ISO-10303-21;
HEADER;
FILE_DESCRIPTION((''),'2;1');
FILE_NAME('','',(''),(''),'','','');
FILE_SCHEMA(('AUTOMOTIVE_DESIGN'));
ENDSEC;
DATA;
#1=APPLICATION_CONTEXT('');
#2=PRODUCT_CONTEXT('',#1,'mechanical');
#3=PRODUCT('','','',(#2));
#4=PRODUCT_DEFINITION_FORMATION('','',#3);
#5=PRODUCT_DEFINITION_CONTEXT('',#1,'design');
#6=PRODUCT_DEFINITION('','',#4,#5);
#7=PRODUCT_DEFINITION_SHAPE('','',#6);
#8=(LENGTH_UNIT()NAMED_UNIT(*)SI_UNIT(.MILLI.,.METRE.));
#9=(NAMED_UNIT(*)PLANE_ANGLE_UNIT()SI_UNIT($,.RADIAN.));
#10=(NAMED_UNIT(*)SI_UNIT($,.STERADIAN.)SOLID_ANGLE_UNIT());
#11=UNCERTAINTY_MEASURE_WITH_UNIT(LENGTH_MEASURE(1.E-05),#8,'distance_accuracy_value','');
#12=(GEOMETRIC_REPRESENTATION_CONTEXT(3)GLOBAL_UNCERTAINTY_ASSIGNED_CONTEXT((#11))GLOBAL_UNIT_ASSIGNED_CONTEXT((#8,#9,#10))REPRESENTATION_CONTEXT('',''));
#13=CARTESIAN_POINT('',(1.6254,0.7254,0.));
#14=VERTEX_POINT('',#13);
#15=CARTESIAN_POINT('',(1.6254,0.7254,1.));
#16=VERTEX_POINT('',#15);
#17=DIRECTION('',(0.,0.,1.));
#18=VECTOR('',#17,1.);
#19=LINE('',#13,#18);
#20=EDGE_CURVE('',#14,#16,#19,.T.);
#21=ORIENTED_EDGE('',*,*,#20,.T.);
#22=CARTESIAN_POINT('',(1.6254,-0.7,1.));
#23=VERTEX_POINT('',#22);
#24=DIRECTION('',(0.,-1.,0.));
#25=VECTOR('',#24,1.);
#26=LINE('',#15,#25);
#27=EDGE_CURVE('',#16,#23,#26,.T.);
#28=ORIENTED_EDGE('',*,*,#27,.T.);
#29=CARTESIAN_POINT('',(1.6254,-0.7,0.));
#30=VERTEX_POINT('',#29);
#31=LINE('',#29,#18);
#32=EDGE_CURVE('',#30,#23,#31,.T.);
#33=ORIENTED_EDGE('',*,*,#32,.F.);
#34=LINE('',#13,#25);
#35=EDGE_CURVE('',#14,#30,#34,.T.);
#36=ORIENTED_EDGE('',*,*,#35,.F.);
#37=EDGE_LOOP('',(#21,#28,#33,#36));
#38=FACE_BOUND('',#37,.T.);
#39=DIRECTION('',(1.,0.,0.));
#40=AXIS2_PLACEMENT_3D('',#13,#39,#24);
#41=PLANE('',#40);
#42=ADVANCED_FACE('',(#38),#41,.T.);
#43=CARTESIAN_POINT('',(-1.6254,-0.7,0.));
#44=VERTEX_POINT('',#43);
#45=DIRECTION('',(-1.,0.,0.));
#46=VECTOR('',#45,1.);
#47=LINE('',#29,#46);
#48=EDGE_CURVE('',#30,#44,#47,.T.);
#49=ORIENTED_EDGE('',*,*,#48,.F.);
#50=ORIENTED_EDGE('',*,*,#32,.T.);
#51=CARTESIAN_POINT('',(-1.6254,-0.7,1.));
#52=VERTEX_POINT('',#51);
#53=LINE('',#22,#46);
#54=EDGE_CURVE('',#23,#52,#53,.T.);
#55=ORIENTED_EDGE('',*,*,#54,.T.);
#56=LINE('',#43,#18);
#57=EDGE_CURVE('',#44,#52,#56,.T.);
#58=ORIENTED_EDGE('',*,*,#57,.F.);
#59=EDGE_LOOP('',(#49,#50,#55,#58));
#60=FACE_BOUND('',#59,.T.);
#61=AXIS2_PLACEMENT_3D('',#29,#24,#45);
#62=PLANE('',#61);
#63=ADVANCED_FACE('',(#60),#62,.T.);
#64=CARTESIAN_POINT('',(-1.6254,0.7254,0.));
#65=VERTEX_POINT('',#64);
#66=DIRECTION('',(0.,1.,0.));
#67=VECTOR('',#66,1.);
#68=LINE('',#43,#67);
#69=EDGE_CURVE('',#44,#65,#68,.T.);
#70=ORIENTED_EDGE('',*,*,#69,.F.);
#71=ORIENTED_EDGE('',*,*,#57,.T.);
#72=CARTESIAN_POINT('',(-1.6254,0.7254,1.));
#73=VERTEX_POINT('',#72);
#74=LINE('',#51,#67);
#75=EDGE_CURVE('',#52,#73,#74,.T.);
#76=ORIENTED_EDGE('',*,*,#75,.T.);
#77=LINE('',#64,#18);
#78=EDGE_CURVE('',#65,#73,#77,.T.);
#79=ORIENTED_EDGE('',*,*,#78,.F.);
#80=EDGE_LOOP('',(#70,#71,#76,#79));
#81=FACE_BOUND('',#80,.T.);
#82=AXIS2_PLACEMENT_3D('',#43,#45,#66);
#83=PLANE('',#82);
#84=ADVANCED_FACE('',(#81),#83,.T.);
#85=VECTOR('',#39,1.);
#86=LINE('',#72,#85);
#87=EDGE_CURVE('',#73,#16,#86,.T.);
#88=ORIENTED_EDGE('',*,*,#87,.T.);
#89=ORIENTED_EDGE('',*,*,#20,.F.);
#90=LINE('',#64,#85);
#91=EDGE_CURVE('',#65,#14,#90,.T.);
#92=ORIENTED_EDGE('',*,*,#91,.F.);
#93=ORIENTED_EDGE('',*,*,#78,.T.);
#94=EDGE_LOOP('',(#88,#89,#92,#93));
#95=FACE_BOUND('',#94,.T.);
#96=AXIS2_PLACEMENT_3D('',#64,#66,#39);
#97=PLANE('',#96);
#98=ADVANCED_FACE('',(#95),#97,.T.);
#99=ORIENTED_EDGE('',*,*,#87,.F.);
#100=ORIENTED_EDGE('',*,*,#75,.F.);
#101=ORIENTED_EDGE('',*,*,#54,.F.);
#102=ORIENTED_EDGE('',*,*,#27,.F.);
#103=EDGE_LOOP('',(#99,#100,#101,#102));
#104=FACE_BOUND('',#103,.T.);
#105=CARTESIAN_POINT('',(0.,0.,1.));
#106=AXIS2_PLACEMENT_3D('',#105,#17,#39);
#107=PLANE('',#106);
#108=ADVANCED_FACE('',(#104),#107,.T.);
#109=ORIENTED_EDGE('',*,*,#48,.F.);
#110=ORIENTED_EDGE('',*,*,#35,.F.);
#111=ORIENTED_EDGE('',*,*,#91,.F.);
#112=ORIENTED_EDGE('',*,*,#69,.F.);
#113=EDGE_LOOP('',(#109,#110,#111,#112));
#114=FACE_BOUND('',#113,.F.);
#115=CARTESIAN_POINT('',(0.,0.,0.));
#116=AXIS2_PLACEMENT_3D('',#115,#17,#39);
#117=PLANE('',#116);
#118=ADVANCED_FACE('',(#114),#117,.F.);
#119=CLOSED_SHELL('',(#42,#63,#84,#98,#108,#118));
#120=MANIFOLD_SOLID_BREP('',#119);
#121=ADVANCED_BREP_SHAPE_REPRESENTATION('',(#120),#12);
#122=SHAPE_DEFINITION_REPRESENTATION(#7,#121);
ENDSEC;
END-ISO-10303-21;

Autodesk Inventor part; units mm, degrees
ref_plane "YZ Plane" through (0, 0, 0) normal (1, 0, 0) x (0, 1, 0)
ref_plane "XZ Plane" through (0, 0, 0) normal (0, 1, 0) x (-1, 0, 0)
ref_plane "XY Plane" through (0, 0, 0) normal (0, 0, 1) x (1, 0, 0)
sketch "0603, 0_1UF_18" plane through (0, 0, 0) normal (0, 0, 1) x (1, 0, 0)
  line L0 (-1.6254, 0.7254) -> (1.6254, 0.7254)
  line L1 (1.6254, 0.7254) -> (1.6254, -0.7)
  line L2 (1.6254, -0.7) -> (-1.6254, -0.7)
  line L3 (-1.6254, -0.7) -> (-1.6254, 0.7254)
extrude "Extrusion1" add sketch "0603, 0_1UF_18" along normal blind 1
properties part number "0_1UF"
